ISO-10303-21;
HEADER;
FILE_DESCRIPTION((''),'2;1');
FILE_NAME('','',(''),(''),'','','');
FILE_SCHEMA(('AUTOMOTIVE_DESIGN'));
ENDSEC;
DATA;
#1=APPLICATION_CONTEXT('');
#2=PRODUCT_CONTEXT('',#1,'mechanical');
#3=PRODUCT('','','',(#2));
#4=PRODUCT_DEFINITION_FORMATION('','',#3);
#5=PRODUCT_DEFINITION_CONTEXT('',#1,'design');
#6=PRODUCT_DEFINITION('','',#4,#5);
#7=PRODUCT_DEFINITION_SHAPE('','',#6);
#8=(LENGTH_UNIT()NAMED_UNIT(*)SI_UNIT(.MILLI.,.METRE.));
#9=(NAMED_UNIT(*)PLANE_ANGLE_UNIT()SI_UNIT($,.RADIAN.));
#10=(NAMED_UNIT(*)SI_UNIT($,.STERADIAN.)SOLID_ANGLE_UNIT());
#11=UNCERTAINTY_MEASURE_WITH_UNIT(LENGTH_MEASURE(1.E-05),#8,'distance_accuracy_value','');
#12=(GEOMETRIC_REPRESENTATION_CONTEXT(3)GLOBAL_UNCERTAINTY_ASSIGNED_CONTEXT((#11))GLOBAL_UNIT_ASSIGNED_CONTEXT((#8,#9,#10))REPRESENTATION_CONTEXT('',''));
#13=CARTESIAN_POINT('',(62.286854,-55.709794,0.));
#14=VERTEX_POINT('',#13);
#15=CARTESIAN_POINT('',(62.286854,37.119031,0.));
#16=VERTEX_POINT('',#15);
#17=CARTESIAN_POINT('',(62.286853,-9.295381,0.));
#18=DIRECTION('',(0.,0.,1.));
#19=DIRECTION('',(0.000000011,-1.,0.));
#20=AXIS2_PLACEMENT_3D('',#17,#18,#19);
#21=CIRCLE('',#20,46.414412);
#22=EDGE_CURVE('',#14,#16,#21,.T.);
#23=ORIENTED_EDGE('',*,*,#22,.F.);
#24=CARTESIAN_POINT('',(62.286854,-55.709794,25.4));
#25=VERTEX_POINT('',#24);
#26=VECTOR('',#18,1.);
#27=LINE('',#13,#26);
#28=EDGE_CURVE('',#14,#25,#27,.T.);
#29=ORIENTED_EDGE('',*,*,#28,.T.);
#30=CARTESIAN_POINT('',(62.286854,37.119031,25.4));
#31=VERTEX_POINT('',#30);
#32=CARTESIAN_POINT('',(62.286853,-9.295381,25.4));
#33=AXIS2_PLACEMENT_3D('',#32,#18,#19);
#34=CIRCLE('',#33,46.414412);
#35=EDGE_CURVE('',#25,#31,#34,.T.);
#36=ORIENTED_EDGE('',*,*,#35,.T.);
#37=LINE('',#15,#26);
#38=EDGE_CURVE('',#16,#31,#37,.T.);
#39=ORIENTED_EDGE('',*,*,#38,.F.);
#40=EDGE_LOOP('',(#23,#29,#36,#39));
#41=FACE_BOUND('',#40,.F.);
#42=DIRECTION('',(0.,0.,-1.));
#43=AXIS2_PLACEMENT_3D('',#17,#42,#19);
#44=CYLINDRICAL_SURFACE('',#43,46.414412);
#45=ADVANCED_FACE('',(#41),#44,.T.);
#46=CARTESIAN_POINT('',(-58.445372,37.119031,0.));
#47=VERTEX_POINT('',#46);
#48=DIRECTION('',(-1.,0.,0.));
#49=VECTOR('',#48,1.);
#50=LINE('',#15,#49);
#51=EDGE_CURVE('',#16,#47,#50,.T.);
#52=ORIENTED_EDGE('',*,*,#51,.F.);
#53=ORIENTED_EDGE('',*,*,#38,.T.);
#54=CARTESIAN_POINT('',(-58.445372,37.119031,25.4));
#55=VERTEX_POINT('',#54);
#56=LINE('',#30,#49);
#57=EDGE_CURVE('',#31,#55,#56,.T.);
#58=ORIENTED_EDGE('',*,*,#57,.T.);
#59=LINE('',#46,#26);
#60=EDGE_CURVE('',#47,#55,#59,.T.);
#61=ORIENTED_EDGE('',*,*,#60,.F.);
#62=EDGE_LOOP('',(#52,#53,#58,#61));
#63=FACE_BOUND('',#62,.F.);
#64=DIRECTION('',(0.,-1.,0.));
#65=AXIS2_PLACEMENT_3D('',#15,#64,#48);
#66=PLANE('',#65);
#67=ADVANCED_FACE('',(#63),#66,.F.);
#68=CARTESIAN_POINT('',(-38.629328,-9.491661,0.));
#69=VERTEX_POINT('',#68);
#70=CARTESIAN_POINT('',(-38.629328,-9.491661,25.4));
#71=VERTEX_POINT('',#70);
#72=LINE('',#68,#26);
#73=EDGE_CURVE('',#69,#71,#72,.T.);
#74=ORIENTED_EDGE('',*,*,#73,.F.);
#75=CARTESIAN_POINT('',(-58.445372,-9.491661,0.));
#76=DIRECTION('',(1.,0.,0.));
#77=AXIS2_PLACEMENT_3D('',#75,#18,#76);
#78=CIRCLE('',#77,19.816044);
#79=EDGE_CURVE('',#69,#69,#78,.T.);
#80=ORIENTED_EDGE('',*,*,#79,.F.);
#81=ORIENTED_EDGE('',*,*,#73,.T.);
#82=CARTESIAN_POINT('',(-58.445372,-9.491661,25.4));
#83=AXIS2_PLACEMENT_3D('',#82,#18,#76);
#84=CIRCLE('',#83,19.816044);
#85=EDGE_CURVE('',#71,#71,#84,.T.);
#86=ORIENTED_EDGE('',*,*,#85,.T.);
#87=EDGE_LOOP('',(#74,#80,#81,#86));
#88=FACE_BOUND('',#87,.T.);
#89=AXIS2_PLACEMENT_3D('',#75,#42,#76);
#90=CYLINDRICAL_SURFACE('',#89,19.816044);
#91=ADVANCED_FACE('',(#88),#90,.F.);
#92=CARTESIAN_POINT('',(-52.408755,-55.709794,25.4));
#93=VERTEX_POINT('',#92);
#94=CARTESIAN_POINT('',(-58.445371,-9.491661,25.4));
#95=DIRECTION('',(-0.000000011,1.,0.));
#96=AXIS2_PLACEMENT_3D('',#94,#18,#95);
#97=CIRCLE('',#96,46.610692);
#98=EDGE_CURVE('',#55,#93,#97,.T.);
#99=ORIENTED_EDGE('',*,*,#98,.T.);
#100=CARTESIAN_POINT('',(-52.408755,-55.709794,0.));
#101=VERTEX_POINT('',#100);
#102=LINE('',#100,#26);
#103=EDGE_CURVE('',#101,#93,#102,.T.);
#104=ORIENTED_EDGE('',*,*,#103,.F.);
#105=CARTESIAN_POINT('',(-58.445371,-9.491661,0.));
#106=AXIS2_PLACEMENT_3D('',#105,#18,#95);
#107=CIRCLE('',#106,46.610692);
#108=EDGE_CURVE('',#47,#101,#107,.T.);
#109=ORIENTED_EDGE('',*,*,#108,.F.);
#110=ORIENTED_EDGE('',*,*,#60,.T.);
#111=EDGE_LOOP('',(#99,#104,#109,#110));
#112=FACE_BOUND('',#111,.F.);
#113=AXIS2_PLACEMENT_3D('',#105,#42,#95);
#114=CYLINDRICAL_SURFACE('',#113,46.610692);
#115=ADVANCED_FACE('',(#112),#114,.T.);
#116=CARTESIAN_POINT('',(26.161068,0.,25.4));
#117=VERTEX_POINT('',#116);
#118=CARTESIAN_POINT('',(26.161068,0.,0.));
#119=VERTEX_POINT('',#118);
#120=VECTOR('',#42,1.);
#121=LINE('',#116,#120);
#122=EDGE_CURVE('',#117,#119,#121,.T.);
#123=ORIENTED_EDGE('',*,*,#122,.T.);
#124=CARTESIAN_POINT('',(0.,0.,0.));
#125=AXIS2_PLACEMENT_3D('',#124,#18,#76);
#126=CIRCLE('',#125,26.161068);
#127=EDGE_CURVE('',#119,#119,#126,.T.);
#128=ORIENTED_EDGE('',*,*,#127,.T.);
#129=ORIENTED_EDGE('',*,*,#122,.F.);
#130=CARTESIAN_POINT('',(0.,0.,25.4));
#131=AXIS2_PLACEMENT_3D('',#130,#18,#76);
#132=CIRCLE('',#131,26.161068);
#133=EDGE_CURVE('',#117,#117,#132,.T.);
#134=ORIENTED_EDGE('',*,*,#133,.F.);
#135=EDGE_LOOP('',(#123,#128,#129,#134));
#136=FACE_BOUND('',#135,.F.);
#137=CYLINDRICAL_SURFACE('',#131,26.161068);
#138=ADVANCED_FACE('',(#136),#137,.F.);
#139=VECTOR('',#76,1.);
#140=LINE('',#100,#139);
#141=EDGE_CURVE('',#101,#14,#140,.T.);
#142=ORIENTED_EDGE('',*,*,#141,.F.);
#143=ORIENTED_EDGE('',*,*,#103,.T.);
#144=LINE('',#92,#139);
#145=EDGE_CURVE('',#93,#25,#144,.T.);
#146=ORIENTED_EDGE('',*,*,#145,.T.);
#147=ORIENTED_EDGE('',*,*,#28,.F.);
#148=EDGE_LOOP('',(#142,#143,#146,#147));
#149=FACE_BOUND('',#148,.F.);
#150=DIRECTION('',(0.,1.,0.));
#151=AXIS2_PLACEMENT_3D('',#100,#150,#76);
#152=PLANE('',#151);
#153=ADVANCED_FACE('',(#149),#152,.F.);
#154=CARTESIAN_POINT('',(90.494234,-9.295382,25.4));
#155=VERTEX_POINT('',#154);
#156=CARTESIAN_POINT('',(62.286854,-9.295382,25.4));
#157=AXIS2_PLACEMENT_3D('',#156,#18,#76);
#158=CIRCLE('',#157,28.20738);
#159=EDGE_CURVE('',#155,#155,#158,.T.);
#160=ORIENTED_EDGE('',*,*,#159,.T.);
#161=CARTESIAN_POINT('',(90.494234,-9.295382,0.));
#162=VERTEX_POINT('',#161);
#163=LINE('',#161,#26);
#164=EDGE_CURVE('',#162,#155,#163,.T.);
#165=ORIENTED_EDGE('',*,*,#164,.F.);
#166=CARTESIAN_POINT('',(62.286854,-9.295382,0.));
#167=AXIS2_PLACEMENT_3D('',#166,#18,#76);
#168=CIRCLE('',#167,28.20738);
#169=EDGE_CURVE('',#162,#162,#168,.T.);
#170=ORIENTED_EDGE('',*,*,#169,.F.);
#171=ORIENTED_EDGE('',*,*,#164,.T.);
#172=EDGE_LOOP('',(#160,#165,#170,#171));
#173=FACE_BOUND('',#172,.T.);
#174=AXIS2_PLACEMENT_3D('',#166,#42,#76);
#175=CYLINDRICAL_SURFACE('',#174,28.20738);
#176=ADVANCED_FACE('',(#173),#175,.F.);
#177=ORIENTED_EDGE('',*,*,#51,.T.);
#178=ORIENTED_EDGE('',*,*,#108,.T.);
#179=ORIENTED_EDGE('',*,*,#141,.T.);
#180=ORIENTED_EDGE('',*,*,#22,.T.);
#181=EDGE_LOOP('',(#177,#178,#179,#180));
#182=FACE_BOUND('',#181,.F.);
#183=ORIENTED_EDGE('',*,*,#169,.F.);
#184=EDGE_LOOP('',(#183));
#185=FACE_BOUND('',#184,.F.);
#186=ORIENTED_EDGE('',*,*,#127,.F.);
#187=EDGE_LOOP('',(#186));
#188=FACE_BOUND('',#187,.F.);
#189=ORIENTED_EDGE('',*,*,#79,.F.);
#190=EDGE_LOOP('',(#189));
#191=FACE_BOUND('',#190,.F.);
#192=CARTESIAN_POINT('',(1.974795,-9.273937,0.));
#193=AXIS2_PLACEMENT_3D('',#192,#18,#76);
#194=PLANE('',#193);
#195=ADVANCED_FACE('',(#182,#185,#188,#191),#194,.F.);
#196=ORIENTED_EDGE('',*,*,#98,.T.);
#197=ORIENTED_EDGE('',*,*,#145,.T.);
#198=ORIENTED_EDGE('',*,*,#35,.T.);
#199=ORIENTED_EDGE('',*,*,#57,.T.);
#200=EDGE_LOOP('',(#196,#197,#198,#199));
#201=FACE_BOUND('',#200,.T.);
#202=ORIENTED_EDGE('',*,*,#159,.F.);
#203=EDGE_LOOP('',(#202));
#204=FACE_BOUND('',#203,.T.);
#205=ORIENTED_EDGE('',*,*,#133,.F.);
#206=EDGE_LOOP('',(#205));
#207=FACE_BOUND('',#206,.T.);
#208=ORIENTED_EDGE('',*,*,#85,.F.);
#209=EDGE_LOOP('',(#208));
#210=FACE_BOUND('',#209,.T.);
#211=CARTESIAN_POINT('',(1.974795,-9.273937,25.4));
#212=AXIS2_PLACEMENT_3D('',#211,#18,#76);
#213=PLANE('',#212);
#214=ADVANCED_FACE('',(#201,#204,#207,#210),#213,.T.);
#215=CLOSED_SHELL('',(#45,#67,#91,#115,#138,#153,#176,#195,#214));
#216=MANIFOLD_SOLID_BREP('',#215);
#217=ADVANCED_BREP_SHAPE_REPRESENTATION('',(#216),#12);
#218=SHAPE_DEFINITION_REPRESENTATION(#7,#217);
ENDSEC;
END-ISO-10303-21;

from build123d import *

# Parameters (mm, degrees)
F0_R     = 19.816044
F0_R_2   = 28.20738
F1_DEPTH = 25.4
F2_R     = 26.161068
F3_DEPTH = 95.89977


with BuildPart() as f1:
    # F0 (on Top) → F1 (new body)
    with BuildSketch(Plane.XY):
        with BuildLine():
            Line((62.286854, 37.119031), (-58.445372, 37.119031))
            ThreePointArc((-58.445372, 37.119031), (-104.95782, -12.516345), (-52.408755, -55.709794))
            Line((-52.408755, -55.709794), (62.286854, -55.709794))
            ThreePointArc((62.286854, -55.709794), (108.701266, -9.295382), (62.286854, 37.119031))
        make_face()
        with Locations((-58.445372, -9.491661)):
            Circle(F0_R, mode=Mode.SUBTRACT)
        with Locations((62.286854, -9.295382)):
            Circle(F0_R_2, mode=Mode.SUBTRACT)
    extrude(amount=F1_DEPTH)

    # F2 (on face) → F3 (cut)
    with BuildSketch(Plane.XY.offset(25.4)):
        Circle(F2_R)
    extrude(amount=-F3_DEPTH, mode=Mode.SUBTRACT)


solid = f1.part
